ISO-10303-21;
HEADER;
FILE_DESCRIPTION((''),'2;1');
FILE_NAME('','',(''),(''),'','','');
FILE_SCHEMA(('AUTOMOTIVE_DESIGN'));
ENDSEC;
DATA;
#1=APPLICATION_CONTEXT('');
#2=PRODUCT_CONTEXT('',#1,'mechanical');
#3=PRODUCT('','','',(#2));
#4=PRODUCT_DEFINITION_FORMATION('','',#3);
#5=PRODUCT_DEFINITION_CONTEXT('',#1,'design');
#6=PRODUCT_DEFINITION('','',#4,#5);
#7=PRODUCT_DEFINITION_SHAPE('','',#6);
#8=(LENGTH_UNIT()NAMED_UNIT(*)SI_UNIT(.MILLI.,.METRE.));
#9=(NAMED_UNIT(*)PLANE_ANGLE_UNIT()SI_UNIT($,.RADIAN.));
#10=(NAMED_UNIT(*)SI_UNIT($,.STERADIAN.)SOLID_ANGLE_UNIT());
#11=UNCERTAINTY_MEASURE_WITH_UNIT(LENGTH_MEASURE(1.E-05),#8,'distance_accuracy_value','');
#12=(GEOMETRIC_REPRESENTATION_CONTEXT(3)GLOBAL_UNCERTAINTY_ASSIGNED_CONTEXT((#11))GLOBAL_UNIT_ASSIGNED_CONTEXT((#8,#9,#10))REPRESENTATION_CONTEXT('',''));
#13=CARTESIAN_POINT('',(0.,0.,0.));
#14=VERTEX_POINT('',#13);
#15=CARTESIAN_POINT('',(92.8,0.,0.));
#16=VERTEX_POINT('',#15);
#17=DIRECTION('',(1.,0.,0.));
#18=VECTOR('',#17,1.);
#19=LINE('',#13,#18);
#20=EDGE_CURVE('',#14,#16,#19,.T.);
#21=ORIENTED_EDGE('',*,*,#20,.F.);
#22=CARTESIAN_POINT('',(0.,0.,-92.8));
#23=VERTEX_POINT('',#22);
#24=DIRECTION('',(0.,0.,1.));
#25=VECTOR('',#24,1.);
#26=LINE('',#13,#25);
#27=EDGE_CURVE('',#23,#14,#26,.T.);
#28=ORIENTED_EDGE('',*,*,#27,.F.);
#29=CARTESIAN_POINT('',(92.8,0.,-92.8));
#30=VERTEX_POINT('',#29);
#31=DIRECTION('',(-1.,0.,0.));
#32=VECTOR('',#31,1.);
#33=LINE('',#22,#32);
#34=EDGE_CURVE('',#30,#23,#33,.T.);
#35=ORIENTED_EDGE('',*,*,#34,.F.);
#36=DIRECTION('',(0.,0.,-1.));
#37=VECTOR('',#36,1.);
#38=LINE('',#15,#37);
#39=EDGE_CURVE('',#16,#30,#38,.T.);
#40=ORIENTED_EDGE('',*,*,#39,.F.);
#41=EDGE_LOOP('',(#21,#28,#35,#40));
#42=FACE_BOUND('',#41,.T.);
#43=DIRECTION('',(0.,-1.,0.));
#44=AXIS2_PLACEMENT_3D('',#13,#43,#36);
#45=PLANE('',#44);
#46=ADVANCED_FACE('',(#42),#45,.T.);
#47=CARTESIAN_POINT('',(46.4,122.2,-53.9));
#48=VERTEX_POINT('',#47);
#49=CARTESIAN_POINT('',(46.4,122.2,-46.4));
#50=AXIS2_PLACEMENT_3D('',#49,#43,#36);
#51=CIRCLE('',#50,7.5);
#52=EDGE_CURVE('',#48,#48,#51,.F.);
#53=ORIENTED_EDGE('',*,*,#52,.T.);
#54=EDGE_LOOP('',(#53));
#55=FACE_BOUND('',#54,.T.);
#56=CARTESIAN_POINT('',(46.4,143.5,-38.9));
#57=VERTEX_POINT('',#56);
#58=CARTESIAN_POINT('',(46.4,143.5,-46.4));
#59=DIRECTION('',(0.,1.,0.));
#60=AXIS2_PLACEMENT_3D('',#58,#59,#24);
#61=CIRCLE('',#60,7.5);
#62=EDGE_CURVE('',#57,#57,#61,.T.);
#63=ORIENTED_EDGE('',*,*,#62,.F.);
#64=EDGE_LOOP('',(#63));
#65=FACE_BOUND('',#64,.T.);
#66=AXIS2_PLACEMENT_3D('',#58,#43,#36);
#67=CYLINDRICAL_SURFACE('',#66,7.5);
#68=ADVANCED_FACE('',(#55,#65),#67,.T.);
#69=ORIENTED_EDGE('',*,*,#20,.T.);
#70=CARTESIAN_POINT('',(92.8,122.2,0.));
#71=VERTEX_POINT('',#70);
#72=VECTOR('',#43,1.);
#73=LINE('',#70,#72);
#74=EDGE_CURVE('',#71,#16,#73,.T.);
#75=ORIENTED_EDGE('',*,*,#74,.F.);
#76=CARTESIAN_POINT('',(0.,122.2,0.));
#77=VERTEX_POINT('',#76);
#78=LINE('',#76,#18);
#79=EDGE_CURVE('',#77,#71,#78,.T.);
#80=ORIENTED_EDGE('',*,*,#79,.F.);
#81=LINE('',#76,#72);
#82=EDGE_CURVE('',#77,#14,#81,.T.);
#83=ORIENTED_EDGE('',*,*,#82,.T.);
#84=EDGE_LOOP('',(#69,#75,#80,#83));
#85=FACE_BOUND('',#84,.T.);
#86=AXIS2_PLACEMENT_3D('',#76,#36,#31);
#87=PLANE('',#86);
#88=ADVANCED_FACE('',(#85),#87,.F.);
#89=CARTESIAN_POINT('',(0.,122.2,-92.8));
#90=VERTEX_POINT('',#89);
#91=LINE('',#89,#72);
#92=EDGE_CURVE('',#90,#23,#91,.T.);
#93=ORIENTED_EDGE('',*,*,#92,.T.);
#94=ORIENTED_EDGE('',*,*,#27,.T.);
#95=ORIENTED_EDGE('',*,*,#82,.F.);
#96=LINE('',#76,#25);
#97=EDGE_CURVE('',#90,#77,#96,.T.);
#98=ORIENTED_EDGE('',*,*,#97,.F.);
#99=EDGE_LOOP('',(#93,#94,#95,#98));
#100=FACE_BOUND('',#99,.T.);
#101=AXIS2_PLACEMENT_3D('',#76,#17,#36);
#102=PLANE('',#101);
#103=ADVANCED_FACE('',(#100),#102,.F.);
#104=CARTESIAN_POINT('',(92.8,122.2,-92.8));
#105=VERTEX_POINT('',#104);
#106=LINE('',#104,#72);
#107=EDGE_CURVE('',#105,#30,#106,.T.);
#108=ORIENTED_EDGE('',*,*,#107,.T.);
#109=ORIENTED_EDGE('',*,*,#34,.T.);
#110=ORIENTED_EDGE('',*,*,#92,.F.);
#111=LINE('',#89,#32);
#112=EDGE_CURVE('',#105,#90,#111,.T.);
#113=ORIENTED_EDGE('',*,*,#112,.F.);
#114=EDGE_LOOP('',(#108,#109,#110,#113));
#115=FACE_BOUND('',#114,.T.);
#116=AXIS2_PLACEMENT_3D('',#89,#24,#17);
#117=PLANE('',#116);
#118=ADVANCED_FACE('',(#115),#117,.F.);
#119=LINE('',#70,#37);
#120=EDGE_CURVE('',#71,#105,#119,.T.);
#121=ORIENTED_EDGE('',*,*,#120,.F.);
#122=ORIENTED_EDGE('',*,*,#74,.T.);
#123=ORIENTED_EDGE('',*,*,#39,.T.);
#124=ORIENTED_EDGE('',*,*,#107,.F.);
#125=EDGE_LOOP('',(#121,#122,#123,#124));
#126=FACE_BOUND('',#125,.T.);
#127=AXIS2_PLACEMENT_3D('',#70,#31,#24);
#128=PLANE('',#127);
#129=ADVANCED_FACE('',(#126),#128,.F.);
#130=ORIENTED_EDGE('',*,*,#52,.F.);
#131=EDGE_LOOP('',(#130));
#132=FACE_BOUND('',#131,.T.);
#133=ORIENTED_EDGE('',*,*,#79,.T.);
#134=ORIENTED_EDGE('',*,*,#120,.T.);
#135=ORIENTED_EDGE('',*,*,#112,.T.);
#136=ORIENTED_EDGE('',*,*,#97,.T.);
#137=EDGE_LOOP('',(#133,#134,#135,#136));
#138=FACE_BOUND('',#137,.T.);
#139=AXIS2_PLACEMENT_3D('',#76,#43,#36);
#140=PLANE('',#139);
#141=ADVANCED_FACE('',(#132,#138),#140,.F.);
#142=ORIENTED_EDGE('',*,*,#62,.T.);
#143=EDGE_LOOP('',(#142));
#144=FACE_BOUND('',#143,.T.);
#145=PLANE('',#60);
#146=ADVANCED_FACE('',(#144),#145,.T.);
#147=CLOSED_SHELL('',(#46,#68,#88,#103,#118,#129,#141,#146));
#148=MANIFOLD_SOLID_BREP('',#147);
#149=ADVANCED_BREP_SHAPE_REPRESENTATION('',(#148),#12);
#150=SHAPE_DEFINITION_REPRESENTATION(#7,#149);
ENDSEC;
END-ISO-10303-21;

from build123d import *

# Parameters (mm, degrees)
SKETCH1_W           = 92.8
SKETCH1_H           = 92.8
BOSS_EXTRUDE1_DEPTH = 122.2
SKETCH2_R           = 7.5
BOSS_EXTRUDE2_DEPTH = 21.3


with BuildPart() as part:
    # Sketch1 → Boss-Extrude1 (new body)
    with BuildSketch(Plane(origin=(0, 0, 0), x_dir=(1, 0, 0), z_dir=(0, 1, 0))):
        with Locations((46.4, 46.4)):
            Rectangle(SKETCH1_W, SKETCH1_H)
    extrude(amount=BOSS_EXTRUDE1_DEPTH)

    # Sketch2 → Boss-Extrude2 (add)
    with BuildSketch(Plane(origin=(0, 122.2, 0), x_dir=(1, 0, 0), z_dir=(0, 1, 0))):
        with Locations((46.4, 46.4)):
            Circle(SKETCH2_R)
    extrude(amount=BOSS_EXTRUDE2_DEPTH)


solid = part.part
